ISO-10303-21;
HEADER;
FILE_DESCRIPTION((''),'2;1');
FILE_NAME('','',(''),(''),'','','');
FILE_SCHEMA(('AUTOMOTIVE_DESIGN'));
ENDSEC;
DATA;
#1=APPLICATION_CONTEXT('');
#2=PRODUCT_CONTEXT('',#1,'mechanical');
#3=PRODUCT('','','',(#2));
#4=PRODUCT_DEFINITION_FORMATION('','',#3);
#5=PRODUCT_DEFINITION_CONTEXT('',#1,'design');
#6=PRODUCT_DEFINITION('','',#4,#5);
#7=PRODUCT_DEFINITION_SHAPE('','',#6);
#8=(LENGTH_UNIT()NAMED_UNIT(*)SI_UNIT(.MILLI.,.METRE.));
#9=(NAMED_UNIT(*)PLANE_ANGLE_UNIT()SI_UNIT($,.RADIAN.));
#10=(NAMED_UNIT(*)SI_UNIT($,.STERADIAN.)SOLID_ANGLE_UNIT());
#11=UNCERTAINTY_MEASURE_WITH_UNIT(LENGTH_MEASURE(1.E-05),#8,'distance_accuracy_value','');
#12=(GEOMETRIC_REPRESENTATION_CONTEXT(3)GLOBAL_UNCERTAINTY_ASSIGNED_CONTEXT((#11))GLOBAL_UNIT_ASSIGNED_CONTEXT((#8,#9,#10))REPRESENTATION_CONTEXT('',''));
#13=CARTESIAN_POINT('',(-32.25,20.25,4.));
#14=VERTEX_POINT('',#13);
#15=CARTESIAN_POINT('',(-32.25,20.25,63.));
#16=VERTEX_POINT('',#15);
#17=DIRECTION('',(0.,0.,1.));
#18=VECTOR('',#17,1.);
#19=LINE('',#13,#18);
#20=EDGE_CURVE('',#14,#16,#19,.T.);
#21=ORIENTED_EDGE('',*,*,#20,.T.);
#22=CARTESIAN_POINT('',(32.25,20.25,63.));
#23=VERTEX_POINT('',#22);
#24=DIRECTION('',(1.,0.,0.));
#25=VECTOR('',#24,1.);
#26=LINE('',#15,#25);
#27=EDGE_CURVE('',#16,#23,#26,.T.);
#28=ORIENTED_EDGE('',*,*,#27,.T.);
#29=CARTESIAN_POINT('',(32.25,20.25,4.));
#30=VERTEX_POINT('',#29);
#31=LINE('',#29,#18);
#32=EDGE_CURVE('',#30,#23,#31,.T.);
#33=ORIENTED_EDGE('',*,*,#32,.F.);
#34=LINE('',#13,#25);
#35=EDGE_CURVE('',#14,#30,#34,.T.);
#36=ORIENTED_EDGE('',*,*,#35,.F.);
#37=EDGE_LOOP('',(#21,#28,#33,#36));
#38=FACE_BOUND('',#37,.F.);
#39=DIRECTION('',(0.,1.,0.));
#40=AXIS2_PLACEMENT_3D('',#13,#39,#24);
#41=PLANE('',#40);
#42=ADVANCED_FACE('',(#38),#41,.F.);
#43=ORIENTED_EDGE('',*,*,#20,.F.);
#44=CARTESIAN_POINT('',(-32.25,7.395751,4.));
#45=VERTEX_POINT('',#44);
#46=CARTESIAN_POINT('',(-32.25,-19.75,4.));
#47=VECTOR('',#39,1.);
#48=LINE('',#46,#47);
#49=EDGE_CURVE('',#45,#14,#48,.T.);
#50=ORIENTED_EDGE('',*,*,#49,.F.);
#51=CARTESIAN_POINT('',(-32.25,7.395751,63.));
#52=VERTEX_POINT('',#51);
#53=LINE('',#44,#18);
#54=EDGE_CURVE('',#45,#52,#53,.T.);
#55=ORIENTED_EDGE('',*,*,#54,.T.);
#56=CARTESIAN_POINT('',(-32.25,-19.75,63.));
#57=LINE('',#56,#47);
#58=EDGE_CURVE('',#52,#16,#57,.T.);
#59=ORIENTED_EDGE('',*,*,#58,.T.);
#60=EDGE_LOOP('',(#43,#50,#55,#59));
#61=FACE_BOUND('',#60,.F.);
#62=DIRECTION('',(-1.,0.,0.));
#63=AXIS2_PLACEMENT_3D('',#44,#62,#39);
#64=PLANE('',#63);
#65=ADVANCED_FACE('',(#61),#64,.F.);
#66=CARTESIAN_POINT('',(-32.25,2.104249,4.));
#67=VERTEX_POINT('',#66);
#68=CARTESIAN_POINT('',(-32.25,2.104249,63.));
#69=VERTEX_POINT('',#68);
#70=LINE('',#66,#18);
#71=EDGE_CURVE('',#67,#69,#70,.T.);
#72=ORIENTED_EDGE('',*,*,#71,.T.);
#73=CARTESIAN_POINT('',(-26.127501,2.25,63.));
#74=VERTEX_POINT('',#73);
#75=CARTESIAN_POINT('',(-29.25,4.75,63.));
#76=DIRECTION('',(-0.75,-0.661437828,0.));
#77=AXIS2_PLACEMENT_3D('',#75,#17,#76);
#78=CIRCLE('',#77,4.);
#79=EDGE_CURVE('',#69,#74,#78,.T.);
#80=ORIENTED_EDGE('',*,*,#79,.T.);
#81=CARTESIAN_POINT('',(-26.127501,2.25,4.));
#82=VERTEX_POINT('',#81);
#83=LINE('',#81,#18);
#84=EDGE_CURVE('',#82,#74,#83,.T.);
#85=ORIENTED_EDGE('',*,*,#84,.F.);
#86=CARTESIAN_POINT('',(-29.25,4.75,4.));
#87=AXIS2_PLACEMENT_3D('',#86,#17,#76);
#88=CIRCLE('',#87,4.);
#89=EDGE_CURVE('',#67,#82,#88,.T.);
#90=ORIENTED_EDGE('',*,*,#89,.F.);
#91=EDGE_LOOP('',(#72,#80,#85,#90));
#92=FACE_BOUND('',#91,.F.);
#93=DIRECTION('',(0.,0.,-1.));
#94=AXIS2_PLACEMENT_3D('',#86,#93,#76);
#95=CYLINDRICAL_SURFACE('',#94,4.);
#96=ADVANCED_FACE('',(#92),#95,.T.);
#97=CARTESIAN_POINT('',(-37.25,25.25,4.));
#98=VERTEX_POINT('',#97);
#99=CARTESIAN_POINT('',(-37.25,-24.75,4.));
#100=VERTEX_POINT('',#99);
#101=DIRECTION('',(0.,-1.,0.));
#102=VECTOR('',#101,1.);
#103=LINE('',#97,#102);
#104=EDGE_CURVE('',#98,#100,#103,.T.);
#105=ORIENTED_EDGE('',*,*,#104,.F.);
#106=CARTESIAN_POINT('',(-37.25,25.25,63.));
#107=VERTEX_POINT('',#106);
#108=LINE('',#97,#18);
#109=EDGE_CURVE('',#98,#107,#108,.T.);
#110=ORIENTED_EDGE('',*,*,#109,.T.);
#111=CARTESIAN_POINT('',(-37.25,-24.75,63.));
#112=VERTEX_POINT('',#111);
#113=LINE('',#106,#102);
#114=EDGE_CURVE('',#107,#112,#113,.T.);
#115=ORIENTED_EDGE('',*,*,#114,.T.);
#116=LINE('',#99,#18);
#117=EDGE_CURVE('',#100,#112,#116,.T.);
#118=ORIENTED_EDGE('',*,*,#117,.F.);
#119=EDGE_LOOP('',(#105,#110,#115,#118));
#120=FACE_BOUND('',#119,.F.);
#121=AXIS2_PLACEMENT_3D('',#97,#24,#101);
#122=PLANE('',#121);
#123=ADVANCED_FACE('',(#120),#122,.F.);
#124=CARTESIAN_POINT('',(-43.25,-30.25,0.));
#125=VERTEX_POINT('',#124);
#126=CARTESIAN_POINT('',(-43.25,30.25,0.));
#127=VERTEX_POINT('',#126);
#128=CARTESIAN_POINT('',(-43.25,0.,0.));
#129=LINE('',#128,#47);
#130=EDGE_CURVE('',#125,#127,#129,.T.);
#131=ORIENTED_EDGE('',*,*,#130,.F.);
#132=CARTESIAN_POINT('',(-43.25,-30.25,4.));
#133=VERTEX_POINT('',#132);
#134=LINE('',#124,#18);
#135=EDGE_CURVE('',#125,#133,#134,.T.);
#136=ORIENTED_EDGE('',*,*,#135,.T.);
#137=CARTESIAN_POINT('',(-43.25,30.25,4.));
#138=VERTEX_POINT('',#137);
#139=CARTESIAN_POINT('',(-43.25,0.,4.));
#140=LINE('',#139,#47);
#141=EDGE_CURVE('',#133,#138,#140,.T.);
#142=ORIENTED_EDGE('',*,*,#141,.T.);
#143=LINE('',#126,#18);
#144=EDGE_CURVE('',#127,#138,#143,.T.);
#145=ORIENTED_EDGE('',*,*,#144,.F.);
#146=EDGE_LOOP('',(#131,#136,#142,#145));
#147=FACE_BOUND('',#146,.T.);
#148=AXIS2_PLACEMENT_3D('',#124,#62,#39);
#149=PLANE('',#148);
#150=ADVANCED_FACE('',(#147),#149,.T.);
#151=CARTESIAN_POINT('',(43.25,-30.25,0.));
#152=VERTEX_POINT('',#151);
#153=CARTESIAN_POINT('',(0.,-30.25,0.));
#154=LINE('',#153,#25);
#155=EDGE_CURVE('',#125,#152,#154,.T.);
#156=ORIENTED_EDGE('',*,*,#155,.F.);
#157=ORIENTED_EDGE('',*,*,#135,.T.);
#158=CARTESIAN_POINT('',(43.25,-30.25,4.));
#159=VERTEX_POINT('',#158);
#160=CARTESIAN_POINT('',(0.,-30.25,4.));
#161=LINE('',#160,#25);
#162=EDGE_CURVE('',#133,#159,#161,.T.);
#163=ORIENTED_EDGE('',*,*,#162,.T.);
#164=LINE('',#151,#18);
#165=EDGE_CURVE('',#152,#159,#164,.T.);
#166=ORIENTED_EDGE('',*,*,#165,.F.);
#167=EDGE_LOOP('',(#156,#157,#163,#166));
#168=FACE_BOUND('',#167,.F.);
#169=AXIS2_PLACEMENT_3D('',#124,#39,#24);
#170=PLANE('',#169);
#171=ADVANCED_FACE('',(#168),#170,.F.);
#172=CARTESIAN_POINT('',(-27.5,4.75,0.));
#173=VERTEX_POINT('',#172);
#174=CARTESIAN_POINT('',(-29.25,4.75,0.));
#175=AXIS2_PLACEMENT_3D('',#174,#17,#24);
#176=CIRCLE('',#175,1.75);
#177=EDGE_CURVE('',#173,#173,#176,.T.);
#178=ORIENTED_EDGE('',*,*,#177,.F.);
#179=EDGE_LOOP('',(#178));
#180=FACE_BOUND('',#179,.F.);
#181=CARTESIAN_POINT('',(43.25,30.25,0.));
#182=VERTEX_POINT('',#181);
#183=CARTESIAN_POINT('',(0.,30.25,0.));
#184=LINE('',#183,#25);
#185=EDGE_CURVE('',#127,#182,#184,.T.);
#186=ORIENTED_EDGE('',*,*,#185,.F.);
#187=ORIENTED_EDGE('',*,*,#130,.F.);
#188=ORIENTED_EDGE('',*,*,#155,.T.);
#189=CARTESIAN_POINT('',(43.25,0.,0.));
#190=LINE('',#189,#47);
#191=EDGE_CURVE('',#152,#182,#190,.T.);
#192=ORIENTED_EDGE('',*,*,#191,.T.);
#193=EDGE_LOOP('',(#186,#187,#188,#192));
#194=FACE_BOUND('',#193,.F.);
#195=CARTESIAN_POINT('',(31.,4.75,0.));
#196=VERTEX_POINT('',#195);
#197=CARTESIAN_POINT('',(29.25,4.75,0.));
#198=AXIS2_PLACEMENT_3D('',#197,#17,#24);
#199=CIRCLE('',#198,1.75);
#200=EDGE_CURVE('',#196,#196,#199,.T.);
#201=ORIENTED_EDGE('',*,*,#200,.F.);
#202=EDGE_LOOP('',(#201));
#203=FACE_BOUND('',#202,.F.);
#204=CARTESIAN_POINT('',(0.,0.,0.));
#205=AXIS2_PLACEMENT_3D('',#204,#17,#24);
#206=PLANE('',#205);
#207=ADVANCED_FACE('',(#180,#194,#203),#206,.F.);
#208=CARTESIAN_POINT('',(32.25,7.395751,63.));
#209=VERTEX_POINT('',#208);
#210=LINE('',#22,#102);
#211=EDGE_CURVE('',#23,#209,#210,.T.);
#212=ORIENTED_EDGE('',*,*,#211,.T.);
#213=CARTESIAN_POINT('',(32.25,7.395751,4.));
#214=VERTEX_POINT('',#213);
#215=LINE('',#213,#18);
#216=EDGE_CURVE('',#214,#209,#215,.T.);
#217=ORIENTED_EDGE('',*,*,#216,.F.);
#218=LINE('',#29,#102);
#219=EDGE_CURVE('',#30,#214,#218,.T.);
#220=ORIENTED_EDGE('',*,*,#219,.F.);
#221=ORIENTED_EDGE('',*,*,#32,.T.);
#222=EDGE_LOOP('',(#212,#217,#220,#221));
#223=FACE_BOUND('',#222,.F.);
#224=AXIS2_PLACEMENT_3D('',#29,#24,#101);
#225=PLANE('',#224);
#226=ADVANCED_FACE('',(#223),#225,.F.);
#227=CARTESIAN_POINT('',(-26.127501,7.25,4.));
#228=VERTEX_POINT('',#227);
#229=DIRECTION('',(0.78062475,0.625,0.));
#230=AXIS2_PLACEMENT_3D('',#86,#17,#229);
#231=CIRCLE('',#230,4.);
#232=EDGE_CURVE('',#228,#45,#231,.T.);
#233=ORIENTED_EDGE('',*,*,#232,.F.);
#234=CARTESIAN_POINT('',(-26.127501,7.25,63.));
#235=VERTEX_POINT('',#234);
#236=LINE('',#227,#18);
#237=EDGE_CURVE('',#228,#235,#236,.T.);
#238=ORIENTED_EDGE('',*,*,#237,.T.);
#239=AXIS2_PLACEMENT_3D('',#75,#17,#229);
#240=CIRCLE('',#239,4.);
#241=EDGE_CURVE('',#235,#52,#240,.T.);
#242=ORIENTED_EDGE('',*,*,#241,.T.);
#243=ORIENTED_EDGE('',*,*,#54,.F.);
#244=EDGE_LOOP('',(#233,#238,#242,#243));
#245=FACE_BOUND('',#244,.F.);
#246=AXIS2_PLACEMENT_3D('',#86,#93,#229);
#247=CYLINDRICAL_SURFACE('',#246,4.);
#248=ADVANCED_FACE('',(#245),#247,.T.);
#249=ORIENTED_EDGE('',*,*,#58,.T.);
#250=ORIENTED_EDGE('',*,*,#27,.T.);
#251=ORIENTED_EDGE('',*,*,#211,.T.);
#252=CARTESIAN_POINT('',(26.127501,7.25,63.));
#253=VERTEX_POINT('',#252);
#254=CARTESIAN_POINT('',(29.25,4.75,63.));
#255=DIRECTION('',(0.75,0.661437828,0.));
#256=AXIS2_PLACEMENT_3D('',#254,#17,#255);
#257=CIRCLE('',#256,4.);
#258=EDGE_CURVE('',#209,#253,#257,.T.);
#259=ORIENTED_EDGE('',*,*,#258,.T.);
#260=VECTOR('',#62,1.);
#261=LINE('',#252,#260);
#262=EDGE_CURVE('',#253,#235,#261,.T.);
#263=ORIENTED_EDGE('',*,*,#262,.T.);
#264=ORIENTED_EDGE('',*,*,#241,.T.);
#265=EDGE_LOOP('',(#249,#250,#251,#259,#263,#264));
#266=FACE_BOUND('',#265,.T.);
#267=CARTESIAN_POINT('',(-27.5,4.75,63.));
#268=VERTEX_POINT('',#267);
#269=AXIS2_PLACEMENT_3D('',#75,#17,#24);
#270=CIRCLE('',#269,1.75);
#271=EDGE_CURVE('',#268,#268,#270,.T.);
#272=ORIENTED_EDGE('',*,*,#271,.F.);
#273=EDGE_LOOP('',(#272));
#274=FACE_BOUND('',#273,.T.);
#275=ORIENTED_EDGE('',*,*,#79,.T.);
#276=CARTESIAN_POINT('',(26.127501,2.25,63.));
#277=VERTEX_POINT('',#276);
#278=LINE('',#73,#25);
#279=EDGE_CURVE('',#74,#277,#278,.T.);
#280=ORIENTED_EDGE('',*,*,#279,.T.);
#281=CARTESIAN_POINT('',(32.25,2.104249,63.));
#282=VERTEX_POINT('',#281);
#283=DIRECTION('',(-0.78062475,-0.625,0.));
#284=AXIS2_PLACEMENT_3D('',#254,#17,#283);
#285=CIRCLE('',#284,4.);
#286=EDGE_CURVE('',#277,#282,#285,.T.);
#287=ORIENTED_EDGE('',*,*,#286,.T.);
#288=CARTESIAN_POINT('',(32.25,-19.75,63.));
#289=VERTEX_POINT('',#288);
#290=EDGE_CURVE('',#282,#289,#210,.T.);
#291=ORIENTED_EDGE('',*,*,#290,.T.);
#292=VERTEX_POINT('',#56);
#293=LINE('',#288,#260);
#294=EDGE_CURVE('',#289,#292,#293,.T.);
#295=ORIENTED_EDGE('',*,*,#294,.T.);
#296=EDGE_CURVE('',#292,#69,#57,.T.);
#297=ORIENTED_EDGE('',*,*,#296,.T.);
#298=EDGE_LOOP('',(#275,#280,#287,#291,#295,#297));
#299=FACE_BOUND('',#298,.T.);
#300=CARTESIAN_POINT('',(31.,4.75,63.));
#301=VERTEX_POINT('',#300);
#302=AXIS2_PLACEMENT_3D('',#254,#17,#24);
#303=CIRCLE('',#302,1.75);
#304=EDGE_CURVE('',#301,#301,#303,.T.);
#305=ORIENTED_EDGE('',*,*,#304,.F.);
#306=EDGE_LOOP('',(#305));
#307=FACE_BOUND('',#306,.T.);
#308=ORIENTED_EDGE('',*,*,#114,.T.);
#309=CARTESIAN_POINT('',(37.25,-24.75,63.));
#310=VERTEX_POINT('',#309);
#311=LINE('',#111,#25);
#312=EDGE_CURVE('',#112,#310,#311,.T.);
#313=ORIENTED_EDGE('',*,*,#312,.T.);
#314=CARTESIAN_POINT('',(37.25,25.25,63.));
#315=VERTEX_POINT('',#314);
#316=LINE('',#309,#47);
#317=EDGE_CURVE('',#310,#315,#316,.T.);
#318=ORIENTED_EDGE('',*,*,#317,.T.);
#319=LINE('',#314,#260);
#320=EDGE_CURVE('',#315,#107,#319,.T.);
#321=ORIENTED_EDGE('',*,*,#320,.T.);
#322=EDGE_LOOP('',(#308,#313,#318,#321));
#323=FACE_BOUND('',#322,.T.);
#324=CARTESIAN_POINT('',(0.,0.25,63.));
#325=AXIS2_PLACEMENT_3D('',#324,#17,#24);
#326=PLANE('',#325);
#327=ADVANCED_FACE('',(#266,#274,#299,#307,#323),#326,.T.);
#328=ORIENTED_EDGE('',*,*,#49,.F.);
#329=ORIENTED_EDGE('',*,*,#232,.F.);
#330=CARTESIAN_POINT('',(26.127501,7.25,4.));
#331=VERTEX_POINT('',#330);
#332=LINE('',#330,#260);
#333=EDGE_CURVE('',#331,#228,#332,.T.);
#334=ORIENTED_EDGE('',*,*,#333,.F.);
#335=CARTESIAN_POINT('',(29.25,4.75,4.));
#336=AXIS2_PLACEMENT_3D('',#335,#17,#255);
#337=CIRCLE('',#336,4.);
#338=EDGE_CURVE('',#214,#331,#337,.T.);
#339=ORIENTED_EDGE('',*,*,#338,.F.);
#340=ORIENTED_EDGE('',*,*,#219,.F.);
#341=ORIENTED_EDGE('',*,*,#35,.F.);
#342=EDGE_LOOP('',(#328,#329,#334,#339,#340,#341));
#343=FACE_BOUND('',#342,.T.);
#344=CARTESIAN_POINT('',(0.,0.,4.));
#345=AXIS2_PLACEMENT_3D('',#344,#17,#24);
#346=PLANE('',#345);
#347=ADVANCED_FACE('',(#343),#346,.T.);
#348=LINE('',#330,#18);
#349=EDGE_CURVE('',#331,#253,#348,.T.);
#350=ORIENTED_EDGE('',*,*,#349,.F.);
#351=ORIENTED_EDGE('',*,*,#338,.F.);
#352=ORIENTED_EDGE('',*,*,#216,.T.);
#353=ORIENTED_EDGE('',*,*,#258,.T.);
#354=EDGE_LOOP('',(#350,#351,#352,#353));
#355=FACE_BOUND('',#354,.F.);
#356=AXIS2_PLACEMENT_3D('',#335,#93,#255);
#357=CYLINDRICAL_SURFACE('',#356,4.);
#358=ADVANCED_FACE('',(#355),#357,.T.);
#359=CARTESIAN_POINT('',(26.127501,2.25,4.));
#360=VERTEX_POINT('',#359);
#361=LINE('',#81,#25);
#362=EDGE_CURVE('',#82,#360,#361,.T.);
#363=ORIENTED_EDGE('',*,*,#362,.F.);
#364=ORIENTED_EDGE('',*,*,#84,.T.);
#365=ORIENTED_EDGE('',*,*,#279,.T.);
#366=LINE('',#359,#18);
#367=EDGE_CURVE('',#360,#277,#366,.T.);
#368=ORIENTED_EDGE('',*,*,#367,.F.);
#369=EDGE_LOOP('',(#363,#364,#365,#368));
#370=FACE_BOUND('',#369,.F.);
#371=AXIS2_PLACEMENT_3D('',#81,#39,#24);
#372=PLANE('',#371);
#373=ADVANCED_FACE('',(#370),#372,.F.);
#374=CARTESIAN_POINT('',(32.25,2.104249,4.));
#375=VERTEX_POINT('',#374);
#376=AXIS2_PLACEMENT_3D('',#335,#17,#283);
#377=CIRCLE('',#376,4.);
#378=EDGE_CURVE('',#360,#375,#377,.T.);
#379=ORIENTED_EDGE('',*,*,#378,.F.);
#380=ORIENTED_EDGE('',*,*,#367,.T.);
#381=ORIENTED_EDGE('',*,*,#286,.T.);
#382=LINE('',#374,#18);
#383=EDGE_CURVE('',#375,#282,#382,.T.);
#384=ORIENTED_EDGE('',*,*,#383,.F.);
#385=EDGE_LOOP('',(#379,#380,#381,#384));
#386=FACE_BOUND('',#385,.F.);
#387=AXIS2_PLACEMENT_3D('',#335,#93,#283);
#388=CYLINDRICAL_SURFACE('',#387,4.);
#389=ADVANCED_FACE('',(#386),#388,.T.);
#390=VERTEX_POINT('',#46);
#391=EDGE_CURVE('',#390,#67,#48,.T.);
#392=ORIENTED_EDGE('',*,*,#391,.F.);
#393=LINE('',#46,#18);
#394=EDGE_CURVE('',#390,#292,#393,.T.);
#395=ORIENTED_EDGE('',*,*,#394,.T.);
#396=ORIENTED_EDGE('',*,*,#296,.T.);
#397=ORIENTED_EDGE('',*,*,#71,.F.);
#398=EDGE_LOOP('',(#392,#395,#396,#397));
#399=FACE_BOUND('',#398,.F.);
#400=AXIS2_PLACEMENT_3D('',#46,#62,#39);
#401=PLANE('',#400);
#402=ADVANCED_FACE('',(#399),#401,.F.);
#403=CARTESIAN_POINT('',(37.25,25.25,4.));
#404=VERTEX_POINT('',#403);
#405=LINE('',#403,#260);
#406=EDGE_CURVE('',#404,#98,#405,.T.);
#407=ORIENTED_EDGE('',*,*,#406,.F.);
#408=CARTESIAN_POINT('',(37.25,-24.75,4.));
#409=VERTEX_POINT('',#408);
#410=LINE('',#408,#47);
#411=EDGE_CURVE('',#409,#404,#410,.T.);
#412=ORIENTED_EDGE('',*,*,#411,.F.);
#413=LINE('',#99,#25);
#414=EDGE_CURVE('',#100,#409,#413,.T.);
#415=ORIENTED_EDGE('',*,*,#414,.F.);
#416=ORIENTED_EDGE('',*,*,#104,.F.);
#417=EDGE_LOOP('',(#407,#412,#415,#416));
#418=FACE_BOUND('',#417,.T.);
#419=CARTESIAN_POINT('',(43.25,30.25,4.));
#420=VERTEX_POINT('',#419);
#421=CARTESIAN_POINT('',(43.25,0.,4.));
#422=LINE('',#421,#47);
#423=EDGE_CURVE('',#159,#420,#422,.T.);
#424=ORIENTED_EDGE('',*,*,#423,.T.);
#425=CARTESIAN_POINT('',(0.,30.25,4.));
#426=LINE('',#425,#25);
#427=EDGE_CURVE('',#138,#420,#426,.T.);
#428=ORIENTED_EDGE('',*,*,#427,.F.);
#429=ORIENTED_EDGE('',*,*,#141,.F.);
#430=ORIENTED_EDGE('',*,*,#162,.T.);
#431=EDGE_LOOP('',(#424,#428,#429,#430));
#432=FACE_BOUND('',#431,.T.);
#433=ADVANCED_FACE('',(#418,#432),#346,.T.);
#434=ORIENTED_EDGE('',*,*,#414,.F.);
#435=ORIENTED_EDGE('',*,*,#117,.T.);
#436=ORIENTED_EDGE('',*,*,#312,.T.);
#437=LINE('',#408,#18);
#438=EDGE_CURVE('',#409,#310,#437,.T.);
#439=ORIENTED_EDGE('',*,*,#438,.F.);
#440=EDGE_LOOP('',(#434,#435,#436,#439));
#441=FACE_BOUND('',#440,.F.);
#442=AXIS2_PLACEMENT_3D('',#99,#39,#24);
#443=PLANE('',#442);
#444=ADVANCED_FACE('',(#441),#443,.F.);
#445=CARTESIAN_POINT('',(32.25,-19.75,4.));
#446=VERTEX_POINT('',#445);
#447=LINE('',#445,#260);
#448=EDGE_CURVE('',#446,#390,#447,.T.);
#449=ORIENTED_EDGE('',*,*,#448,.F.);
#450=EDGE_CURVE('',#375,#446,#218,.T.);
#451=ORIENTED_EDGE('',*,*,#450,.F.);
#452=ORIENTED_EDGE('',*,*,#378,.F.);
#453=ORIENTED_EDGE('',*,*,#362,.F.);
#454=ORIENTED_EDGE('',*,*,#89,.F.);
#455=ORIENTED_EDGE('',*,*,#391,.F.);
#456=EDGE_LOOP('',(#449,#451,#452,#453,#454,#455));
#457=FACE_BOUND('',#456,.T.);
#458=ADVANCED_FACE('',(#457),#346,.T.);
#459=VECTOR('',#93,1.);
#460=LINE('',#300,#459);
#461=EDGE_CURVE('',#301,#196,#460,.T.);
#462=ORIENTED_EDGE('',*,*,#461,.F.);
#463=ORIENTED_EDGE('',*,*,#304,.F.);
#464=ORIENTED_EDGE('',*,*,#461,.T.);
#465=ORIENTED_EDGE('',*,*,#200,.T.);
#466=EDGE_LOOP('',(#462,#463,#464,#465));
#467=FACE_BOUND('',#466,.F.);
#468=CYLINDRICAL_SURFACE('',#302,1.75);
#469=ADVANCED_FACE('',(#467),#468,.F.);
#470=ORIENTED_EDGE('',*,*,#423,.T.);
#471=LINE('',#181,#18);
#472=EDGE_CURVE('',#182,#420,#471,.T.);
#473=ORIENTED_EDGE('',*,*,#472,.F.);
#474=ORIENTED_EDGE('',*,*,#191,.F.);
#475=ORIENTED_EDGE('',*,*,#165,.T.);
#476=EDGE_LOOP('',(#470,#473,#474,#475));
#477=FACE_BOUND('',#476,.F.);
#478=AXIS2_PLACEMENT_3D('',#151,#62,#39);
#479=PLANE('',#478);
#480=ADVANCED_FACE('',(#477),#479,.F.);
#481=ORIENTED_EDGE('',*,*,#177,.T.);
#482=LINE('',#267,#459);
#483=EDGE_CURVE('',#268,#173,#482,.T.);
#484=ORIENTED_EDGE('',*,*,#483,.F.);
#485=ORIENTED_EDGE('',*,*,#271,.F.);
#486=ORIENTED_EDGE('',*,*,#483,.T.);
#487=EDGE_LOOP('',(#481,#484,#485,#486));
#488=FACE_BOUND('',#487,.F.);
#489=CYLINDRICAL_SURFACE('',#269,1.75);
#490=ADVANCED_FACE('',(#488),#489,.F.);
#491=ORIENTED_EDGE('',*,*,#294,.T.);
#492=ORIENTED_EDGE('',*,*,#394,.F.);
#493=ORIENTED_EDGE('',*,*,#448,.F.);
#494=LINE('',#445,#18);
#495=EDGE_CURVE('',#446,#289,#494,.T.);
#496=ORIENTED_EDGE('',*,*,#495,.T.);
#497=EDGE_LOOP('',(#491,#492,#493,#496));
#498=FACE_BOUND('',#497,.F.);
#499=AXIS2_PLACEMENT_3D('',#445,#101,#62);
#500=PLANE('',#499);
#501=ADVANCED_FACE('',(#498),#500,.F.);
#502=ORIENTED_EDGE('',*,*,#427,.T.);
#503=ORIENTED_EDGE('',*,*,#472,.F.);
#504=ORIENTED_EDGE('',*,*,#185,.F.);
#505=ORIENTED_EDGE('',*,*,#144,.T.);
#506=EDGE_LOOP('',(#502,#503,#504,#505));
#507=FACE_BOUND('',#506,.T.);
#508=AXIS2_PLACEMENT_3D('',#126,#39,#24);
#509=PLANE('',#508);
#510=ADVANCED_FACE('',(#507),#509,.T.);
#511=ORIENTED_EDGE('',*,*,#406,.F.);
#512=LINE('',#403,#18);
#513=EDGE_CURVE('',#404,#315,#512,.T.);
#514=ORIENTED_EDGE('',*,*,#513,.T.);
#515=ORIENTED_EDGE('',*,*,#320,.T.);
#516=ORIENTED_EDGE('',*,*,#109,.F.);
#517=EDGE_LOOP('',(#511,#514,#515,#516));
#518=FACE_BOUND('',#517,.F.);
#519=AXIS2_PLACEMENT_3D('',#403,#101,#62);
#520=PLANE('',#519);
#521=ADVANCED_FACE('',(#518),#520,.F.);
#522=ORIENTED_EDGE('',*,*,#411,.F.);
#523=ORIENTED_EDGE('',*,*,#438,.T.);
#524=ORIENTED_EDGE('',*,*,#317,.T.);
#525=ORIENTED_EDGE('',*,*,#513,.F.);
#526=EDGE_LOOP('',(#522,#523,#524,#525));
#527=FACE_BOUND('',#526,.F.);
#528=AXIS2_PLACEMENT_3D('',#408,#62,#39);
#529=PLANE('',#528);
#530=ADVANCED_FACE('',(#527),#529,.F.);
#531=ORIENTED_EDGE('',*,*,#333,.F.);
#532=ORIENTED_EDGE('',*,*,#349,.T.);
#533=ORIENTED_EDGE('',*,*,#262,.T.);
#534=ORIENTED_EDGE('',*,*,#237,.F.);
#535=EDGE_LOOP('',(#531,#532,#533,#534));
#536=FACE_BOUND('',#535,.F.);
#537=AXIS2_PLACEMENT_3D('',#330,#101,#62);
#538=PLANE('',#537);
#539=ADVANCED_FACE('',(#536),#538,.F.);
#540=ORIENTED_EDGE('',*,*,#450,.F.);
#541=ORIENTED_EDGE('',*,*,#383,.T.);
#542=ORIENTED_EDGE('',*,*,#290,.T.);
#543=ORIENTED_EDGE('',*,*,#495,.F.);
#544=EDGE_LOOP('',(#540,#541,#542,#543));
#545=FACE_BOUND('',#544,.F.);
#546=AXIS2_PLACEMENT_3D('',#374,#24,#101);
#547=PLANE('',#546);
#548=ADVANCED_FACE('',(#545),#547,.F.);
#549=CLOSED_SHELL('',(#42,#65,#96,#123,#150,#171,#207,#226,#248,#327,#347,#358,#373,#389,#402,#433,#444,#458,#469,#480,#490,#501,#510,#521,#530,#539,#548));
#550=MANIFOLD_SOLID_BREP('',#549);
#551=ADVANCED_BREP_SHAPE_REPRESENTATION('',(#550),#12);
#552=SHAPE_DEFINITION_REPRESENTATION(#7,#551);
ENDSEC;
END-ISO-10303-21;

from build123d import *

# Parameters (mm, degrees)
F0_W     = 86.5
F0_H     = 60.5
F1_DEPTH = 4
F3_DEPTH = 59
F4_R     = 1.75
F5_DEPTH = 63.001


with BuildPart() as f1:
    # F0 (on Top) → F1 (new body)
    with BuildSketch(Plane.XY):
        Rectangle(F0_W, F0_H)
    extrude(amount=F1_DEPTH)

    # F2 (on face) → F3 (join)
    with BuildSketch(Plane.XY.offset(4)):
        Polygon((37.25, -24.75), (37.25, 25.25), (-37.25, 25.25), (-37.25, 7.3957513111), (-37.25, -24.75), align=None)
        Polygon((-32.25, 2.1042486889), (-32.25, 7.3957513111), (-32.25, 20.25), (32.25, 20.25), (32.25, 7.3957513111), (32.25, 2.1042486889), (32.25, -19.75), (-32.25, -19.75), align=None, mode=Mode.SUBTRACT)
        with BuildLine():
            Line((26.1275010008, 7.25), (-26.1275010008, 7.25))
            ThreePointArc((-26.1275010008, 7.25), (-29.154803559, 8.7488670443), (-32.25, 7.3957513111))
            Line((-32.25, 7.3957513111), (-32.25, 2.1042486889))
            ThreePointArc((-32.25, 2.1042486889), (-29.154803559, 0.7511329557), (-26.1275010008, 2.25))
            Line((-26.1275010008, 2.25), (26.1275010008, 2.25))
            ThreePointArc((26.1275010008, 2.25), (29.154803559, 0.7511329557), (32.25, 2.1042486889))
            Line((32.25, 2.1042486889), (32.25, 7.3957513111))
            ThreePointArc((32.25, 7.3957513111), (29.154803559, 8.7488670443), (26.1275010008, 7.25))
        make_face()
    extrude(amount=F3_DEPTH)

    # F4 (on face) → F5 (cut, through all)
    with BuildSketch(Plane.XY.offset(63)):
        with Locations((-29.25, 4.75)):
            Circle(F4_R)
        with Locations((29.25, 4.75)):
            Circle(F4_R)
    extrude(amount=-F5_DEPTH, mode=Mode.SUBTRACT)


solid = f1.part
